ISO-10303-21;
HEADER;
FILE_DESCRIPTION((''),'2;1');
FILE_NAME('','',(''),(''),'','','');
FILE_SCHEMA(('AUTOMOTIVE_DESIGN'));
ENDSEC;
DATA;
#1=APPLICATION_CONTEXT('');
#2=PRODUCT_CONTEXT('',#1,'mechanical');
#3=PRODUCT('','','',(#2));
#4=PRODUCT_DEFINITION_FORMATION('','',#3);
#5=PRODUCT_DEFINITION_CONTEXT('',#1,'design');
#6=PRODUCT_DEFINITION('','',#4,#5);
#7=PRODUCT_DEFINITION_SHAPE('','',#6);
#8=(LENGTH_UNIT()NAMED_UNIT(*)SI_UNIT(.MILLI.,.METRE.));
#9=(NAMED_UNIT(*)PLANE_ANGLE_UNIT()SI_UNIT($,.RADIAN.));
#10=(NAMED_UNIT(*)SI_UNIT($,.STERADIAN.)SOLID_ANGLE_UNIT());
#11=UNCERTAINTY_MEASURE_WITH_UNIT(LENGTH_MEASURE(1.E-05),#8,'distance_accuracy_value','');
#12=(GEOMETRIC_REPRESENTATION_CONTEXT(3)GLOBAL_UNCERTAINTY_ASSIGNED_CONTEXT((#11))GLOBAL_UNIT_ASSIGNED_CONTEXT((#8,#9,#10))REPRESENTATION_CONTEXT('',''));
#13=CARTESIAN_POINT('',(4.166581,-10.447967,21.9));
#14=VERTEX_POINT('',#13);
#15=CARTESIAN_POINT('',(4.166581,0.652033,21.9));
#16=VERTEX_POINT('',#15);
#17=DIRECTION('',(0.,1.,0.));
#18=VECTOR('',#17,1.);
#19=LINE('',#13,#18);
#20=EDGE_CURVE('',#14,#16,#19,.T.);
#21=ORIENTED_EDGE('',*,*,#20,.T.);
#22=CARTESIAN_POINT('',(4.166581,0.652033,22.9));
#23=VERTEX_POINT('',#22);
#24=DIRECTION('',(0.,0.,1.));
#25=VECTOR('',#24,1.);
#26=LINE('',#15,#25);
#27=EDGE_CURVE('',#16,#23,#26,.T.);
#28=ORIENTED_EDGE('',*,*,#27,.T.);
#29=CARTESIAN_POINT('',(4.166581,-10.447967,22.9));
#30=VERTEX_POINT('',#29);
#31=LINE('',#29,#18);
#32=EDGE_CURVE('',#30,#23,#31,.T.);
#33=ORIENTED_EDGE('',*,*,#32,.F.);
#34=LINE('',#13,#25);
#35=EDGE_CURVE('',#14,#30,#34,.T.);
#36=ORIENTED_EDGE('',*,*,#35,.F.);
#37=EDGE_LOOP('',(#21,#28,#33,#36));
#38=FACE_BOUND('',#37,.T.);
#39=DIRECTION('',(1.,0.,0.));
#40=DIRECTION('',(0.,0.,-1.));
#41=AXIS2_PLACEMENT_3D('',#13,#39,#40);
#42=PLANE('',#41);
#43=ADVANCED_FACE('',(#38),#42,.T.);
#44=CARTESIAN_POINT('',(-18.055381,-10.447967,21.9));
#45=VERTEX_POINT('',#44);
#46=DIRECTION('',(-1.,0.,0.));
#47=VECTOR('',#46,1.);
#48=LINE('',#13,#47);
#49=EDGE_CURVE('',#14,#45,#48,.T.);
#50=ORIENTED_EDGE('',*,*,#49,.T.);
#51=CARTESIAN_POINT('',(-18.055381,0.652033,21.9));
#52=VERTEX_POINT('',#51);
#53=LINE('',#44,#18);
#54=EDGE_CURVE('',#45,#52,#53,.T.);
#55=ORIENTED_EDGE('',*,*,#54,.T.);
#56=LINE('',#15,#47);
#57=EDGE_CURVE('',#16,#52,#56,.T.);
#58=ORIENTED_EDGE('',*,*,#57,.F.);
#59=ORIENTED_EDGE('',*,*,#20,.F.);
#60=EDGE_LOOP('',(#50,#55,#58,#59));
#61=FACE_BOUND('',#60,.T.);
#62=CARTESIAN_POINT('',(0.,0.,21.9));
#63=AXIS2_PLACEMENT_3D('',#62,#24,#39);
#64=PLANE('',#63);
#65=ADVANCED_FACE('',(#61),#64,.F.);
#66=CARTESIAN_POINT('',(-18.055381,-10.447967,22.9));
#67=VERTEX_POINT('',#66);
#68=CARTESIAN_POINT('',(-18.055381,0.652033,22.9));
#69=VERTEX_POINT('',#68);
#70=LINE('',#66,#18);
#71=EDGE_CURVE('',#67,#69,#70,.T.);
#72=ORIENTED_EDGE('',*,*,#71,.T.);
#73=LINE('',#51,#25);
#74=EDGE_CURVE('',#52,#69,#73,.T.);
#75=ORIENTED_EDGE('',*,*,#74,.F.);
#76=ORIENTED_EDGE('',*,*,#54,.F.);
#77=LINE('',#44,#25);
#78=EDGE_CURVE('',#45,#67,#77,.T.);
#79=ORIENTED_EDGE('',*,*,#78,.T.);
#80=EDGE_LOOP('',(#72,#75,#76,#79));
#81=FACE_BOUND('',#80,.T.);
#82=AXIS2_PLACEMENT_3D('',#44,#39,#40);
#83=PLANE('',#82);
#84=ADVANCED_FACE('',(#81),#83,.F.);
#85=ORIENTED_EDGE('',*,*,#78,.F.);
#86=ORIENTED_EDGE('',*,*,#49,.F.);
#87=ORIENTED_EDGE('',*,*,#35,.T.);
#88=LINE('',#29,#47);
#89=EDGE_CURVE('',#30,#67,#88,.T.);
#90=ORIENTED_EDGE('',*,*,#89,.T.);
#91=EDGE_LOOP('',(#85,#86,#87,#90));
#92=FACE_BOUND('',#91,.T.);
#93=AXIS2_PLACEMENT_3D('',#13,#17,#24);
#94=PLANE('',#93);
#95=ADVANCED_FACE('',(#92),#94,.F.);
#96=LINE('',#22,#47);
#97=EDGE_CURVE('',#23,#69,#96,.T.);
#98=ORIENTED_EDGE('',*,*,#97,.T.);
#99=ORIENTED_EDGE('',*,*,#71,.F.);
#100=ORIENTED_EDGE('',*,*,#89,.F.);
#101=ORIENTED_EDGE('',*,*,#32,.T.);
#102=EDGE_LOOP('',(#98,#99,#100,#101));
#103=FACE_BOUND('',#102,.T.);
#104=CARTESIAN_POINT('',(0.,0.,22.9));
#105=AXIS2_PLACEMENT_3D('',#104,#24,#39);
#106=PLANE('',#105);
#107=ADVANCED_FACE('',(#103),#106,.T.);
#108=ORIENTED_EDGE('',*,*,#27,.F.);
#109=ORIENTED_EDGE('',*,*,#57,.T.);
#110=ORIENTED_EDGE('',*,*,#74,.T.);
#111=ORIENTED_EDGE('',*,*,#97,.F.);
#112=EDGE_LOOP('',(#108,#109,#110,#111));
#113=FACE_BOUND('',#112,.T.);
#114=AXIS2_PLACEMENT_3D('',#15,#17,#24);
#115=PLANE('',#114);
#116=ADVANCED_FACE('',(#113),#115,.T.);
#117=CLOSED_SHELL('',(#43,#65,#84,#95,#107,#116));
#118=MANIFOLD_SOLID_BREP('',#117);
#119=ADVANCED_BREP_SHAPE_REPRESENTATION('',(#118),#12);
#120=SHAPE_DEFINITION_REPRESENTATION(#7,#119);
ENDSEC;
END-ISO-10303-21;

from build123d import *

# Parameters (mm, degrees)
CROQUIS4_W              = 22.221962109
CROQUIS4_H              = 11.1
SALIENTE_EXTRUIR1_DEPTH = 1


with BuildPart() as part:
    # Croquis4 → Saliente-Extruir1 (new body)
    with BuildSketch(Plane.XY.offset(22.9)):
        with Locations((-6.944399686, -4.89796722)):
            Rectangle(CROQUIS4_W, CROQUIS4_H)
    extrude(amount=-SALIENTE_EXTRUIR1_DEPTH)


solid = part.part
